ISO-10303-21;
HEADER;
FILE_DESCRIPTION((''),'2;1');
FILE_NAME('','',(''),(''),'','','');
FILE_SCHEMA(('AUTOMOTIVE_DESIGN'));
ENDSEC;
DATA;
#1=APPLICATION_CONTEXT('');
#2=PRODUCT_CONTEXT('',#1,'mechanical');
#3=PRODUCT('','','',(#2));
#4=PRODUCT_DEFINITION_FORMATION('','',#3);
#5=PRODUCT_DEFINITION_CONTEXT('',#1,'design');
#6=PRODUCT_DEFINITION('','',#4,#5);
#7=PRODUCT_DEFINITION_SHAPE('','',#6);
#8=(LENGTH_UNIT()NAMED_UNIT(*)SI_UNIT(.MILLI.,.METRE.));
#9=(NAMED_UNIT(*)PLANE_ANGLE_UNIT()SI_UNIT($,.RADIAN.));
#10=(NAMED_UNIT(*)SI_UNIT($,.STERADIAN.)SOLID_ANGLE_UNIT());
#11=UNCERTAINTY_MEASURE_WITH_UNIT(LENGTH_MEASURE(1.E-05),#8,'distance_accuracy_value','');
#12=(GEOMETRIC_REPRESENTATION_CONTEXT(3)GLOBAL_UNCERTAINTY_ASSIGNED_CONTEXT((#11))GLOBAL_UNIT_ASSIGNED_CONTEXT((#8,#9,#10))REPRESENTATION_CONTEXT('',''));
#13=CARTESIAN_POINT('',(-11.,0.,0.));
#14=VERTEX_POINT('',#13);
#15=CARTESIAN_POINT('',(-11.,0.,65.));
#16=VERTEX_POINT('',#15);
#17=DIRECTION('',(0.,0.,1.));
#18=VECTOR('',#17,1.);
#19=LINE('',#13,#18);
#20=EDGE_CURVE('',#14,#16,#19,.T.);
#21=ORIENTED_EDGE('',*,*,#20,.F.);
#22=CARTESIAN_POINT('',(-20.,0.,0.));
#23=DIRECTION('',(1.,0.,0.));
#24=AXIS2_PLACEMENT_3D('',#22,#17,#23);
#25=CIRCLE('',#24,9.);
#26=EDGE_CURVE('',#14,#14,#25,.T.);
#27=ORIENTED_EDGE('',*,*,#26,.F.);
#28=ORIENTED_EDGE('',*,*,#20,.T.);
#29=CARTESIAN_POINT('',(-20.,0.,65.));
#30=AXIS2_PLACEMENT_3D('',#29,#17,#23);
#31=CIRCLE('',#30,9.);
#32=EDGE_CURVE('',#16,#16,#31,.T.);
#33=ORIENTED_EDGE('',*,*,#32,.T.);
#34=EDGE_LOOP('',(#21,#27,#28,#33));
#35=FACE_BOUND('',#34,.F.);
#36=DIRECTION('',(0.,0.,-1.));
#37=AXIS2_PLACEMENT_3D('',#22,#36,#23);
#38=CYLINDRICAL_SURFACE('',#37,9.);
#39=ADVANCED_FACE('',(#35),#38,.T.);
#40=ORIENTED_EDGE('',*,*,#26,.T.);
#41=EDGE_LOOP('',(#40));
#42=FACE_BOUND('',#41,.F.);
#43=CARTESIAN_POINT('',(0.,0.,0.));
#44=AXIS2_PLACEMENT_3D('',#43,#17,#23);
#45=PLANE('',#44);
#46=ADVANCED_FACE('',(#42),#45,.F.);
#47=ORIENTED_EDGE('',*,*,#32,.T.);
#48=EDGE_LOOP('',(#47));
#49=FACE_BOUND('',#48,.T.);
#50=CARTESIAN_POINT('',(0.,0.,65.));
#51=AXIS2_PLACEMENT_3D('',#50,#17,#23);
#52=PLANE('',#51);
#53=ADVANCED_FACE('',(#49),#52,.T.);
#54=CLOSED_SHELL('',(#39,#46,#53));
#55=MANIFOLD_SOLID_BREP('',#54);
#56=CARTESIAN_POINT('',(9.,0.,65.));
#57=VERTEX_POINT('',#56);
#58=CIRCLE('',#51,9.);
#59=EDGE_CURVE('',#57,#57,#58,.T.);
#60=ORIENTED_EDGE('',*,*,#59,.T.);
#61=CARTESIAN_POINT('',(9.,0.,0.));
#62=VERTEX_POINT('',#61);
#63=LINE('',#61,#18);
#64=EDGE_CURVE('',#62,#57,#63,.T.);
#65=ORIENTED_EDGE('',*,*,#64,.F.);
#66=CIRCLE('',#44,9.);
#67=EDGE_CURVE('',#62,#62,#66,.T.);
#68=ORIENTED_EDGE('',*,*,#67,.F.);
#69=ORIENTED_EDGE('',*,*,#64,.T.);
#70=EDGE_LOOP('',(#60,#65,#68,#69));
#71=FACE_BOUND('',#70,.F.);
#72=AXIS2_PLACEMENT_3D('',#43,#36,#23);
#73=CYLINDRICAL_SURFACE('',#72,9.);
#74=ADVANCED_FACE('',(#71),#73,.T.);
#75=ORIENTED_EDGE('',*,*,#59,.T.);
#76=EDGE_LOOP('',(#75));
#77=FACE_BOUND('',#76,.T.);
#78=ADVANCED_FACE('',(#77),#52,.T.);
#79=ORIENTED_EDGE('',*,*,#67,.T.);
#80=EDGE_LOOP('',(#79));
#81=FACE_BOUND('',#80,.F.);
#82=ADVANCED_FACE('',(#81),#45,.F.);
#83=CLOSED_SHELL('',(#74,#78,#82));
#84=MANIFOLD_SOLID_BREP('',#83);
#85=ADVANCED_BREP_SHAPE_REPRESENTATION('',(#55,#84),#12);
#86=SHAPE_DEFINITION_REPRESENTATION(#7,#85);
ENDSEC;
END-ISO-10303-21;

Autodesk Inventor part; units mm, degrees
ref_plane "YZ Plane" through (0, 0, 0) normal (1, 0, 0) x (0, 1, 0)
ref_plane "XZ Plane" through (0, 0, 0) normal (0, 1, 0) x (-1, 0, 0)
ref_plane "XY Plane" through (0, 0, 0) normal (0, 0, 1) x (1, 0, 0)
sketch "Sketch1" plane through (0, 0, 0) normal (0, 0, 1) x (1, 0, 0)
  circle A0 centre (-20, 0) radius 9
  circle A1 centre (0, 0) radius 9
  line L0 (-36.6, 0) -> (16.6, 0) construction
  dimension "d0" = 18
  dimension "d1" = 18
  dimension "d2" = 20
extrude "Extrusion1" add sketch "Sketch1" along normal blind 65
equation "\"d1\" = d0"
properties part number "battery_2s"
